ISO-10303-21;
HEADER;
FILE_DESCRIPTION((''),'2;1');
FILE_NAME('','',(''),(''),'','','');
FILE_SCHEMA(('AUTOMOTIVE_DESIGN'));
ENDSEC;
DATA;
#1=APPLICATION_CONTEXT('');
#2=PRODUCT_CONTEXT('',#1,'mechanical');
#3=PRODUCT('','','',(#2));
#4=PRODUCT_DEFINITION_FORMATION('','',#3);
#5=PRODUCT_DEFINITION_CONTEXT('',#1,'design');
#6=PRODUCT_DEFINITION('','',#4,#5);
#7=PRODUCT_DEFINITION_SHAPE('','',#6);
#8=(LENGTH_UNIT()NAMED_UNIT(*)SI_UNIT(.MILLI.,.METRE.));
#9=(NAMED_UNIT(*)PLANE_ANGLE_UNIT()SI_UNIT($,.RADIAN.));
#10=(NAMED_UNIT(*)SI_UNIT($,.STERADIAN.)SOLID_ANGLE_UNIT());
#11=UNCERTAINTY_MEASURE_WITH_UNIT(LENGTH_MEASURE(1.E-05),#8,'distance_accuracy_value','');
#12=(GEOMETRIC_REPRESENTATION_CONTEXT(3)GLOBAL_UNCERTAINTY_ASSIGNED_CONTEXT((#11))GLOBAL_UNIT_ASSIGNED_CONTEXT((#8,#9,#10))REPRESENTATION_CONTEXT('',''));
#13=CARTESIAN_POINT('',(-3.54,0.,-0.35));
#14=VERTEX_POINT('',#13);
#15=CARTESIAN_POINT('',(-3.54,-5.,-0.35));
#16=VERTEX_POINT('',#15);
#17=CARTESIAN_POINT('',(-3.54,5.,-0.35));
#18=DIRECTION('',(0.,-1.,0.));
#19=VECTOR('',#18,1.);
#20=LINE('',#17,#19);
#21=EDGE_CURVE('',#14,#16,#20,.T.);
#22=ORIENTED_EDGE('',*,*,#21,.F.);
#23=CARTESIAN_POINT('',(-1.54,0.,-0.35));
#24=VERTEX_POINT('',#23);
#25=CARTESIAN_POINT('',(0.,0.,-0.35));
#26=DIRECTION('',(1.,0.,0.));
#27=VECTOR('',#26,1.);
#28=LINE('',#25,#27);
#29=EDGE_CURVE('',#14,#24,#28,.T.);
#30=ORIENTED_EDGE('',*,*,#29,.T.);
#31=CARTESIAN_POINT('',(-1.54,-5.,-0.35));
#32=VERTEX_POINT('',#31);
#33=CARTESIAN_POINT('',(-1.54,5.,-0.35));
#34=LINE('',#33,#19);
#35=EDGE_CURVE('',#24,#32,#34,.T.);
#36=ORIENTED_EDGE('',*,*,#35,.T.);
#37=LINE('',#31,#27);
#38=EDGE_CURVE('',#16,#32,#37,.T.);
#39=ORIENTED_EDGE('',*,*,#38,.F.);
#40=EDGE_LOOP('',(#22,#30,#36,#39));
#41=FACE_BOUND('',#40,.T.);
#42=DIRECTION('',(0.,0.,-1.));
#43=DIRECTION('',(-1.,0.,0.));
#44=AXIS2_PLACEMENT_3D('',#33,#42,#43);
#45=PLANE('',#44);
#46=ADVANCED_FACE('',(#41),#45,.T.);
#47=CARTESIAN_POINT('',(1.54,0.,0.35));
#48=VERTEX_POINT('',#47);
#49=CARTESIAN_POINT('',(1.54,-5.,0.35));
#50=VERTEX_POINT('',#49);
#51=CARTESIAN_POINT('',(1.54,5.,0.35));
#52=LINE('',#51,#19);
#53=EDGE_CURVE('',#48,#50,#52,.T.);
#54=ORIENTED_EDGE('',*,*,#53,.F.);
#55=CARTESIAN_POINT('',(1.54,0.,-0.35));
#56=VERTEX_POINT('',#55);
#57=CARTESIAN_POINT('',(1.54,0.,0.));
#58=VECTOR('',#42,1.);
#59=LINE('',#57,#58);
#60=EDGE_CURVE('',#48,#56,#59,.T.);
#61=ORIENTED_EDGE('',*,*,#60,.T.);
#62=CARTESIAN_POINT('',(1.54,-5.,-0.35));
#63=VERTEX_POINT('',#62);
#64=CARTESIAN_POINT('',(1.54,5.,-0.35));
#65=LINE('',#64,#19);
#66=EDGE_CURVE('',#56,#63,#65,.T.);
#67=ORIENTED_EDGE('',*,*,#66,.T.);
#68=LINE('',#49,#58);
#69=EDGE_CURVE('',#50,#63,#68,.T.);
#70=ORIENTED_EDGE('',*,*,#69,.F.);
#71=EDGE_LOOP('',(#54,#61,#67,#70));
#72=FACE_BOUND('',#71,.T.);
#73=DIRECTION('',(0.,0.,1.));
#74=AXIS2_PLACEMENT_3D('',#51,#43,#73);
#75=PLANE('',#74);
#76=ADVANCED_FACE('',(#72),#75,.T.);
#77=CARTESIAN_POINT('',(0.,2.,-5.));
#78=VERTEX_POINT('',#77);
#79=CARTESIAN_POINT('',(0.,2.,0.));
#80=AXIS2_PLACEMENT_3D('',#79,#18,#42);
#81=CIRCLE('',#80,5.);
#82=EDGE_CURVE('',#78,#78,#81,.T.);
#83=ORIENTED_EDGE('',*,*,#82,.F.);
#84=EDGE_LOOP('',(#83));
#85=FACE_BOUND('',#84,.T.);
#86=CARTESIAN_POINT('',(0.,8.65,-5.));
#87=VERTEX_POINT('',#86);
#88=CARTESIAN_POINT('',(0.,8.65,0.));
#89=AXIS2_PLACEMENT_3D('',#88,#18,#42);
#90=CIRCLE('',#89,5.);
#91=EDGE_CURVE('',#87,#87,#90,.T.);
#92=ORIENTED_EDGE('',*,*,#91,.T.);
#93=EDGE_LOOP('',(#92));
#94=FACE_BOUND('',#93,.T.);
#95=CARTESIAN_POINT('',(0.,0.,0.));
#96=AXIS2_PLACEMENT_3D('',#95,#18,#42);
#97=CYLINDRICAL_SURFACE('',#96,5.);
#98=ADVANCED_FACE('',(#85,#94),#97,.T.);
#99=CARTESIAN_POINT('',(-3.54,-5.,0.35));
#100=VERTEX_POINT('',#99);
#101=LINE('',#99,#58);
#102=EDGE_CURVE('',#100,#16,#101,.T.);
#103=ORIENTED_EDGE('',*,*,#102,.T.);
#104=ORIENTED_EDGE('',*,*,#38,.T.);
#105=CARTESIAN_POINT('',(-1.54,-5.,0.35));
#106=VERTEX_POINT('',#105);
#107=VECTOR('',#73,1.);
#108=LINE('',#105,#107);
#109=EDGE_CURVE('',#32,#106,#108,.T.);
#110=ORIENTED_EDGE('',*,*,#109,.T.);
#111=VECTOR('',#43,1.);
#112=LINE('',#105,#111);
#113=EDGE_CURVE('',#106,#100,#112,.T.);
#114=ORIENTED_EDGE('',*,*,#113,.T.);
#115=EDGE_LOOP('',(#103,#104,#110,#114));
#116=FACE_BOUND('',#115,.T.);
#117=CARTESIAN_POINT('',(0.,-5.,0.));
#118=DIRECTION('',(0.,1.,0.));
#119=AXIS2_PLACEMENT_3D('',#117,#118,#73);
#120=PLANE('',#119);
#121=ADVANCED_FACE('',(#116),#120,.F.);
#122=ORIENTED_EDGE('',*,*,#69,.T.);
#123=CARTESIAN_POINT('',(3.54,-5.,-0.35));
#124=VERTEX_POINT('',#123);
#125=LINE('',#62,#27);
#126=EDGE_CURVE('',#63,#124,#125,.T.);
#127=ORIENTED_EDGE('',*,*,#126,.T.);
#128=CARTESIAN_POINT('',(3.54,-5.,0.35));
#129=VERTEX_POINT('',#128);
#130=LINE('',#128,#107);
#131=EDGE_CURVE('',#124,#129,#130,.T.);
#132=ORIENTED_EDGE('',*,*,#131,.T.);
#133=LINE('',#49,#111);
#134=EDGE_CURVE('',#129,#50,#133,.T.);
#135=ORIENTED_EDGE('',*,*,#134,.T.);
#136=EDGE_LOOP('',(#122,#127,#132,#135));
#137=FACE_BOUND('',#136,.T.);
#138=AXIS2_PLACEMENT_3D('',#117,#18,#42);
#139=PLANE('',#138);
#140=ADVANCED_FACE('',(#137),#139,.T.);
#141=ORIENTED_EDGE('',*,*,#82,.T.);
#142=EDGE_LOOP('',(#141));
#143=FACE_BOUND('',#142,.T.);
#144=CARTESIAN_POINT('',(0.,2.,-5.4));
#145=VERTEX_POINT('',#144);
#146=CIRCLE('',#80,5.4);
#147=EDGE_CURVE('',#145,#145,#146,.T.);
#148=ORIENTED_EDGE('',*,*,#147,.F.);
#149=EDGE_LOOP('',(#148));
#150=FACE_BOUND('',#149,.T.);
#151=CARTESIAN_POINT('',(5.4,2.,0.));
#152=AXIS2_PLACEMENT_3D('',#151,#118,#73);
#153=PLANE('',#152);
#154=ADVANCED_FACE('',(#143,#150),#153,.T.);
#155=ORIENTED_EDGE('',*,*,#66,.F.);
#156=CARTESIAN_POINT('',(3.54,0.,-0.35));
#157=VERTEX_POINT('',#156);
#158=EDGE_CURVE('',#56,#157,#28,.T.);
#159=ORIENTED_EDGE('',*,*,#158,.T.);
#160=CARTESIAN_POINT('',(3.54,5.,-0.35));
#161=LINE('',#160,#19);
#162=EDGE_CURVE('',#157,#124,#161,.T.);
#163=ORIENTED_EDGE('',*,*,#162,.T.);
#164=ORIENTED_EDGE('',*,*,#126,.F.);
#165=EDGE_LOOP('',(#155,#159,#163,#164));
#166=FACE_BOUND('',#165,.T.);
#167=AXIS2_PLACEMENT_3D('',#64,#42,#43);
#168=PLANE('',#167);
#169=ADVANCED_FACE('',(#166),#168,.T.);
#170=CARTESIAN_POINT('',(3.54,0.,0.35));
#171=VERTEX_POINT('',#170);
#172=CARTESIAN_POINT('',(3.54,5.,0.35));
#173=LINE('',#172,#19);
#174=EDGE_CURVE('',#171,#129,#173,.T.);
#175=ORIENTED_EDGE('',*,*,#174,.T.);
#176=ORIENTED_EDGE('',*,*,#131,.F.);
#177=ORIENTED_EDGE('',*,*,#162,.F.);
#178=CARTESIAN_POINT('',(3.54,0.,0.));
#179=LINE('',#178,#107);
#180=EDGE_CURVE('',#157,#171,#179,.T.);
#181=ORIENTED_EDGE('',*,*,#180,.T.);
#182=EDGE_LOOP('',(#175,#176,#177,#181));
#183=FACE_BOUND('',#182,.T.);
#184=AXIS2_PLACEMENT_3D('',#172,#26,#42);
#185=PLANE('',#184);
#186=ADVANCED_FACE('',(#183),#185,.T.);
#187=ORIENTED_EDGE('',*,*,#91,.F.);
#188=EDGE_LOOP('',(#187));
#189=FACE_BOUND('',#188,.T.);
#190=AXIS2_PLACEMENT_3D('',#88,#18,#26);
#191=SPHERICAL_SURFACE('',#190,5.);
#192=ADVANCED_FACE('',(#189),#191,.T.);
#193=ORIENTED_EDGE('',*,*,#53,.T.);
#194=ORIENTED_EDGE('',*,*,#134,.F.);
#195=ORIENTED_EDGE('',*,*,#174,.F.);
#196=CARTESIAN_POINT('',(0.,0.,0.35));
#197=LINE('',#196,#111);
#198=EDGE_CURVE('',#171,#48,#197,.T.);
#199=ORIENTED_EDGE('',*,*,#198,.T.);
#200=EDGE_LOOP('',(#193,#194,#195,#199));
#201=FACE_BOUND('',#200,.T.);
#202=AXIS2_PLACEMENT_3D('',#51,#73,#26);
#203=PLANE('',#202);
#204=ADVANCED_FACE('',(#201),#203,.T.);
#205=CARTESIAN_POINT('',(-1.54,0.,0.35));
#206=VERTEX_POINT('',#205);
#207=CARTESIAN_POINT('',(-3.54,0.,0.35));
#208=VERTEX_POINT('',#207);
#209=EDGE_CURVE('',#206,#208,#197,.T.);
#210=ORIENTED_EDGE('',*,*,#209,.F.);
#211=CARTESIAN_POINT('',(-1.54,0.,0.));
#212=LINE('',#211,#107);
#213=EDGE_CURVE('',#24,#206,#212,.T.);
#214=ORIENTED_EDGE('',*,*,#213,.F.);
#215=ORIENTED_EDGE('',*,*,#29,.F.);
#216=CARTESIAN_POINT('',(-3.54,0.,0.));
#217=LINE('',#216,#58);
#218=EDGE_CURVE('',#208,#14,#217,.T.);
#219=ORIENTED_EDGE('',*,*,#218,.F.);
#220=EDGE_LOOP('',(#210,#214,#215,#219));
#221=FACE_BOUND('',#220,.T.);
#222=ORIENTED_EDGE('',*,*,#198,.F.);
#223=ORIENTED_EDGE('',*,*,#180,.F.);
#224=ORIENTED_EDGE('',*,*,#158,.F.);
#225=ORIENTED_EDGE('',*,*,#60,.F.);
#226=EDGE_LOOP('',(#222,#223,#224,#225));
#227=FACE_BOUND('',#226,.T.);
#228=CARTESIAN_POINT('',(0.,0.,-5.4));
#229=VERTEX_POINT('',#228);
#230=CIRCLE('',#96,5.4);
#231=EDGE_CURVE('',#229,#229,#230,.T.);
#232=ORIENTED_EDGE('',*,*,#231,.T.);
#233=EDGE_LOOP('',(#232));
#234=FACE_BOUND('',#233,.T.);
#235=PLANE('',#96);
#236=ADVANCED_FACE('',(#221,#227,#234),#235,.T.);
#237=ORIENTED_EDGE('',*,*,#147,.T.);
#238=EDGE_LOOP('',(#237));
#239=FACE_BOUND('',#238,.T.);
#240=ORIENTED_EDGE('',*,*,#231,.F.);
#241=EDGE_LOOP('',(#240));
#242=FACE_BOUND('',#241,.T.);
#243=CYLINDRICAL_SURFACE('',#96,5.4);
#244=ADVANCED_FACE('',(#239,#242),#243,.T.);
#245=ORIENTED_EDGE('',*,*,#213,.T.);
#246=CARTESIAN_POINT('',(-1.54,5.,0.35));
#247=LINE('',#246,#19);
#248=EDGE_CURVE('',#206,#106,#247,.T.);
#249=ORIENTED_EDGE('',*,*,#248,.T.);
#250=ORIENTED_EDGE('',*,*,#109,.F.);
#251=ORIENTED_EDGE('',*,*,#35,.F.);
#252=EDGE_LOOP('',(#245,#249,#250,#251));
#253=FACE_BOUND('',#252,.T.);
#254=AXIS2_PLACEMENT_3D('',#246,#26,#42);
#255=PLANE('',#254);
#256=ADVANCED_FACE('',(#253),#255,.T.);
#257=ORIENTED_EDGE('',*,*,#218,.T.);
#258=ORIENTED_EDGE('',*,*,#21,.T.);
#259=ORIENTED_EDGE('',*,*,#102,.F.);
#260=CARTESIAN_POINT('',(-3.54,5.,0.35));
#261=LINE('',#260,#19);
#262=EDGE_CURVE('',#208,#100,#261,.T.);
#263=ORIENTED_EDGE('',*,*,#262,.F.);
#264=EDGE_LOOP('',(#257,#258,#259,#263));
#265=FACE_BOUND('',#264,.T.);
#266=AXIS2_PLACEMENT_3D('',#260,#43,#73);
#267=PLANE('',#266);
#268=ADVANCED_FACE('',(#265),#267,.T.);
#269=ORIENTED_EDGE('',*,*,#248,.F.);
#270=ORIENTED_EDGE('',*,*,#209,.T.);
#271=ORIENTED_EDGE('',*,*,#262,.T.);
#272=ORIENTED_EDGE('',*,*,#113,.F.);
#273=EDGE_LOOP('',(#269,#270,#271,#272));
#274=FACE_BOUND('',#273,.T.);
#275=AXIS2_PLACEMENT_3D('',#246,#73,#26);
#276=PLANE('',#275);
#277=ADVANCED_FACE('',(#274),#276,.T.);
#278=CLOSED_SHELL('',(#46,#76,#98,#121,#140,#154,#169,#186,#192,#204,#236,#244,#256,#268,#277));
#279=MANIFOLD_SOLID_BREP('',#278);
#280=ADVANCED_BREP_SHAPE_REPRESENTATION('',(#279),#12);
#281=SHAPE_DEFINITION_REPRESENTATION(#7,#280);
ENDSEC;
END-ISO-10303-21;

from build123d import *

# Parameters (mm, degrees)
SKETCH2_W                = 2
SKETCH2_H                = 0.7
BOSS_EXTRUDE1_DEPTH      = 5
BOSS_EXTRUDE1_DEPTH_BACK = 5


with BuildPart() as part:
    # Sketch1 → Revolve1 (revolve)
    with BuildSketch(Plane.XY):
        with BuildLine():
            Line((0, 0), (0, 13.65))
            ThreePointArc((0, 13.65), (3.535533906, 12.185533906), (5, 8.65))
            Line((5, 8.65), (5, 2))
            Line((5, 2), (5.4, 2))
            Line((5.4, 2), (5.4, 0))
            Line((5.4, 0), (0, 0))
        make_face()
    revolve(axis=Axis((0, 0, 0), (0, 1, 0)))

    # Sketch2 → Boss-Extrude1 (add, two sides)
    with BuildSketch(Plane.XZ) as boss_extrude1_sk:
        with Locations((2.54, 0)):
            Rectangle(SKETCH2_W, SKETCH2_H)
        with Locations((-2.54, 0)):
            Rectangle(SKETCH2_W, SKETCH2_H)
    extrude(amount=BOSS_EXTRUDE1_DEPTH)
    extrude(boss_extrude1_sk.sketch, amount=-BOSS_EXTRUDE1_DEPTH_BACK)


solid = part.part
